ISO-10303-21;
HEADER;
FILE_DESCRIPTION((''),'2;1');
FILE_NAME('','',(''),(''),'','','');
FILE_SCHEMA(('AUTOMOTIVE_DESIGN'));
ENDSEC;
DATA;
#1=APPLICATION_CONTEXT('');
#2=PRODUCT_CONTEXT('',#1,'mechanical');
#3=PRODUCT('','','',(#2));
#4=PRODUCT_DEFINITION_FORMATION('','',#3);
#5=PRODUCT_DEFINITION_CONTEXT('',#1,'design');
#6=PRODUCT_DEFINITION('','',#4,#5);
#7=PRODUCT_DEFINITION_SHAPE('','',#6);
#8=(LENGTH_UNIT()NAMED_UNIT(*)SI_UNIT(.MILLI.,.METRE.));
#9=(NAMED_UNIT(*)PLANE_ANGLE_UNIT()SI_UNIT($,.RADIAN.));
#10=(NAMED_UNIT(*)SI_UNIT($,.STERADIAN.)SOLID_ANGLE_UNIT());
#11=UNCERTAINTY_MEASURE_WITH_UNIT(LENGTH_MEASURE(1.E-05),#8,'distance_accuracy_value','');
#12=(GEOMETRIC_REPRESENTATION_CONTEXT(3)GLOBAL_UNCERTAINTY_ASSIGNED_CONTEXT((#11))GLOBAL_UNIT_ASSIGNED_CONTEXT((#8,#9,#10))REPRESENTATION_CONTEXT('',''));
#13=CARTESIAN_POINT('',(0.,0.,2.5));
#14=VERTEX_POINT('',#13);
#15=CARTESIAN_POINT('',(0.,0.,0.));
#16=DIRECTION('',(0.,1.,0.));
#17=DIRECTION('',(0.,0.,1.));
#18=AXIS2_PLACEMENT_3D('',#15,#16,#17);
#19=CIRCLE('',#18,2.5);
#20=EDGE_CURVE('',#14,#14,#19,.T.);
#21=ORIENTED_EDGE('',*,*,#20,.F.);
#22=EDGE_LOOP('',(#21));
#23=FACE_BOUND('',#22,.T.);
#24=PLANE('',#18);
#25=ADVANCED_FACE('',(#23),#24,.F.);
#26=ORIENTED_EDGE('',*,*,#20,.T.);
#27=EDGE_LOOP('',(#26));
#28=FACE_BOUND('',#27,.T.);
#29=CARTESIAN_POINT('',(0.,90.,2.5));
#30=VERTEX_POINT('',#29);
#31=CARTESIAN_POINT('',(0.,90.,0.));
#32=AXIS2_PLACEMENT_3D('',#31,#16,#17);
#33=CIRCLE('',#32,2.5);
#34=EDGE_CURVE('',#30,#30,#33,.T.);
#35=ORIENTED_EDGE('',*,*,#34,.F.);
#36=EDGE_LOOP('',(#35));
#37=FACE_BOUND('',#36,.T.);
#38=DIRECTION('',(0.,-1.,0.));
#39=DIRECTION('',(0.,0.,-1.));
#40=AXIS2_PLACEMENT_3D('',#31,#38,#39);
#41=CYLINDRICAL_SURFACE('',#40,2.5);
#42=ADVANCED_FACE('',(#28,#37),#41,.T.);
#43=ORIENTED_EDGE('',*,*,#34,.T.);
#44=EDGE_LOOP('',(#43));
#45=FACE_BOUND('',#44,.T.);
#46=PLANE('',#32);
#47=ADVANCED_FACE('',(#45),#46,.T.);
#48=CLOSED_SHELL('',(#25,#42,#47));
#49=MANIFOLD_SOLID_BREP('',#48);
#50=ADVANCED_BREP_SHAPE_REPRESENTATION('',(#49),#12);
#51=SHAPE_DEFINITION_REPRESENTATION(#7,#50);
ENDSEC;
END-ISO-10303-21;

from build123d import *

# Parameters (mm, degrees)
SKETCH1_R           = 2.5
BOSS_EXTRUDE1_DEPTH = 90


with BuildPart() as part:
    # Sketch1 → Boss-Extrude1 (new body)
    with BuildSketch(Plane(origin=(0, 0, 0), x_dir=(1, 0, 0), z_dir=(0, 1, 0))):
        Circle(SKETCH1_R)
    extrude(amount=BOSS_EXTRUDE1_DEPTH)


solid = part.part
